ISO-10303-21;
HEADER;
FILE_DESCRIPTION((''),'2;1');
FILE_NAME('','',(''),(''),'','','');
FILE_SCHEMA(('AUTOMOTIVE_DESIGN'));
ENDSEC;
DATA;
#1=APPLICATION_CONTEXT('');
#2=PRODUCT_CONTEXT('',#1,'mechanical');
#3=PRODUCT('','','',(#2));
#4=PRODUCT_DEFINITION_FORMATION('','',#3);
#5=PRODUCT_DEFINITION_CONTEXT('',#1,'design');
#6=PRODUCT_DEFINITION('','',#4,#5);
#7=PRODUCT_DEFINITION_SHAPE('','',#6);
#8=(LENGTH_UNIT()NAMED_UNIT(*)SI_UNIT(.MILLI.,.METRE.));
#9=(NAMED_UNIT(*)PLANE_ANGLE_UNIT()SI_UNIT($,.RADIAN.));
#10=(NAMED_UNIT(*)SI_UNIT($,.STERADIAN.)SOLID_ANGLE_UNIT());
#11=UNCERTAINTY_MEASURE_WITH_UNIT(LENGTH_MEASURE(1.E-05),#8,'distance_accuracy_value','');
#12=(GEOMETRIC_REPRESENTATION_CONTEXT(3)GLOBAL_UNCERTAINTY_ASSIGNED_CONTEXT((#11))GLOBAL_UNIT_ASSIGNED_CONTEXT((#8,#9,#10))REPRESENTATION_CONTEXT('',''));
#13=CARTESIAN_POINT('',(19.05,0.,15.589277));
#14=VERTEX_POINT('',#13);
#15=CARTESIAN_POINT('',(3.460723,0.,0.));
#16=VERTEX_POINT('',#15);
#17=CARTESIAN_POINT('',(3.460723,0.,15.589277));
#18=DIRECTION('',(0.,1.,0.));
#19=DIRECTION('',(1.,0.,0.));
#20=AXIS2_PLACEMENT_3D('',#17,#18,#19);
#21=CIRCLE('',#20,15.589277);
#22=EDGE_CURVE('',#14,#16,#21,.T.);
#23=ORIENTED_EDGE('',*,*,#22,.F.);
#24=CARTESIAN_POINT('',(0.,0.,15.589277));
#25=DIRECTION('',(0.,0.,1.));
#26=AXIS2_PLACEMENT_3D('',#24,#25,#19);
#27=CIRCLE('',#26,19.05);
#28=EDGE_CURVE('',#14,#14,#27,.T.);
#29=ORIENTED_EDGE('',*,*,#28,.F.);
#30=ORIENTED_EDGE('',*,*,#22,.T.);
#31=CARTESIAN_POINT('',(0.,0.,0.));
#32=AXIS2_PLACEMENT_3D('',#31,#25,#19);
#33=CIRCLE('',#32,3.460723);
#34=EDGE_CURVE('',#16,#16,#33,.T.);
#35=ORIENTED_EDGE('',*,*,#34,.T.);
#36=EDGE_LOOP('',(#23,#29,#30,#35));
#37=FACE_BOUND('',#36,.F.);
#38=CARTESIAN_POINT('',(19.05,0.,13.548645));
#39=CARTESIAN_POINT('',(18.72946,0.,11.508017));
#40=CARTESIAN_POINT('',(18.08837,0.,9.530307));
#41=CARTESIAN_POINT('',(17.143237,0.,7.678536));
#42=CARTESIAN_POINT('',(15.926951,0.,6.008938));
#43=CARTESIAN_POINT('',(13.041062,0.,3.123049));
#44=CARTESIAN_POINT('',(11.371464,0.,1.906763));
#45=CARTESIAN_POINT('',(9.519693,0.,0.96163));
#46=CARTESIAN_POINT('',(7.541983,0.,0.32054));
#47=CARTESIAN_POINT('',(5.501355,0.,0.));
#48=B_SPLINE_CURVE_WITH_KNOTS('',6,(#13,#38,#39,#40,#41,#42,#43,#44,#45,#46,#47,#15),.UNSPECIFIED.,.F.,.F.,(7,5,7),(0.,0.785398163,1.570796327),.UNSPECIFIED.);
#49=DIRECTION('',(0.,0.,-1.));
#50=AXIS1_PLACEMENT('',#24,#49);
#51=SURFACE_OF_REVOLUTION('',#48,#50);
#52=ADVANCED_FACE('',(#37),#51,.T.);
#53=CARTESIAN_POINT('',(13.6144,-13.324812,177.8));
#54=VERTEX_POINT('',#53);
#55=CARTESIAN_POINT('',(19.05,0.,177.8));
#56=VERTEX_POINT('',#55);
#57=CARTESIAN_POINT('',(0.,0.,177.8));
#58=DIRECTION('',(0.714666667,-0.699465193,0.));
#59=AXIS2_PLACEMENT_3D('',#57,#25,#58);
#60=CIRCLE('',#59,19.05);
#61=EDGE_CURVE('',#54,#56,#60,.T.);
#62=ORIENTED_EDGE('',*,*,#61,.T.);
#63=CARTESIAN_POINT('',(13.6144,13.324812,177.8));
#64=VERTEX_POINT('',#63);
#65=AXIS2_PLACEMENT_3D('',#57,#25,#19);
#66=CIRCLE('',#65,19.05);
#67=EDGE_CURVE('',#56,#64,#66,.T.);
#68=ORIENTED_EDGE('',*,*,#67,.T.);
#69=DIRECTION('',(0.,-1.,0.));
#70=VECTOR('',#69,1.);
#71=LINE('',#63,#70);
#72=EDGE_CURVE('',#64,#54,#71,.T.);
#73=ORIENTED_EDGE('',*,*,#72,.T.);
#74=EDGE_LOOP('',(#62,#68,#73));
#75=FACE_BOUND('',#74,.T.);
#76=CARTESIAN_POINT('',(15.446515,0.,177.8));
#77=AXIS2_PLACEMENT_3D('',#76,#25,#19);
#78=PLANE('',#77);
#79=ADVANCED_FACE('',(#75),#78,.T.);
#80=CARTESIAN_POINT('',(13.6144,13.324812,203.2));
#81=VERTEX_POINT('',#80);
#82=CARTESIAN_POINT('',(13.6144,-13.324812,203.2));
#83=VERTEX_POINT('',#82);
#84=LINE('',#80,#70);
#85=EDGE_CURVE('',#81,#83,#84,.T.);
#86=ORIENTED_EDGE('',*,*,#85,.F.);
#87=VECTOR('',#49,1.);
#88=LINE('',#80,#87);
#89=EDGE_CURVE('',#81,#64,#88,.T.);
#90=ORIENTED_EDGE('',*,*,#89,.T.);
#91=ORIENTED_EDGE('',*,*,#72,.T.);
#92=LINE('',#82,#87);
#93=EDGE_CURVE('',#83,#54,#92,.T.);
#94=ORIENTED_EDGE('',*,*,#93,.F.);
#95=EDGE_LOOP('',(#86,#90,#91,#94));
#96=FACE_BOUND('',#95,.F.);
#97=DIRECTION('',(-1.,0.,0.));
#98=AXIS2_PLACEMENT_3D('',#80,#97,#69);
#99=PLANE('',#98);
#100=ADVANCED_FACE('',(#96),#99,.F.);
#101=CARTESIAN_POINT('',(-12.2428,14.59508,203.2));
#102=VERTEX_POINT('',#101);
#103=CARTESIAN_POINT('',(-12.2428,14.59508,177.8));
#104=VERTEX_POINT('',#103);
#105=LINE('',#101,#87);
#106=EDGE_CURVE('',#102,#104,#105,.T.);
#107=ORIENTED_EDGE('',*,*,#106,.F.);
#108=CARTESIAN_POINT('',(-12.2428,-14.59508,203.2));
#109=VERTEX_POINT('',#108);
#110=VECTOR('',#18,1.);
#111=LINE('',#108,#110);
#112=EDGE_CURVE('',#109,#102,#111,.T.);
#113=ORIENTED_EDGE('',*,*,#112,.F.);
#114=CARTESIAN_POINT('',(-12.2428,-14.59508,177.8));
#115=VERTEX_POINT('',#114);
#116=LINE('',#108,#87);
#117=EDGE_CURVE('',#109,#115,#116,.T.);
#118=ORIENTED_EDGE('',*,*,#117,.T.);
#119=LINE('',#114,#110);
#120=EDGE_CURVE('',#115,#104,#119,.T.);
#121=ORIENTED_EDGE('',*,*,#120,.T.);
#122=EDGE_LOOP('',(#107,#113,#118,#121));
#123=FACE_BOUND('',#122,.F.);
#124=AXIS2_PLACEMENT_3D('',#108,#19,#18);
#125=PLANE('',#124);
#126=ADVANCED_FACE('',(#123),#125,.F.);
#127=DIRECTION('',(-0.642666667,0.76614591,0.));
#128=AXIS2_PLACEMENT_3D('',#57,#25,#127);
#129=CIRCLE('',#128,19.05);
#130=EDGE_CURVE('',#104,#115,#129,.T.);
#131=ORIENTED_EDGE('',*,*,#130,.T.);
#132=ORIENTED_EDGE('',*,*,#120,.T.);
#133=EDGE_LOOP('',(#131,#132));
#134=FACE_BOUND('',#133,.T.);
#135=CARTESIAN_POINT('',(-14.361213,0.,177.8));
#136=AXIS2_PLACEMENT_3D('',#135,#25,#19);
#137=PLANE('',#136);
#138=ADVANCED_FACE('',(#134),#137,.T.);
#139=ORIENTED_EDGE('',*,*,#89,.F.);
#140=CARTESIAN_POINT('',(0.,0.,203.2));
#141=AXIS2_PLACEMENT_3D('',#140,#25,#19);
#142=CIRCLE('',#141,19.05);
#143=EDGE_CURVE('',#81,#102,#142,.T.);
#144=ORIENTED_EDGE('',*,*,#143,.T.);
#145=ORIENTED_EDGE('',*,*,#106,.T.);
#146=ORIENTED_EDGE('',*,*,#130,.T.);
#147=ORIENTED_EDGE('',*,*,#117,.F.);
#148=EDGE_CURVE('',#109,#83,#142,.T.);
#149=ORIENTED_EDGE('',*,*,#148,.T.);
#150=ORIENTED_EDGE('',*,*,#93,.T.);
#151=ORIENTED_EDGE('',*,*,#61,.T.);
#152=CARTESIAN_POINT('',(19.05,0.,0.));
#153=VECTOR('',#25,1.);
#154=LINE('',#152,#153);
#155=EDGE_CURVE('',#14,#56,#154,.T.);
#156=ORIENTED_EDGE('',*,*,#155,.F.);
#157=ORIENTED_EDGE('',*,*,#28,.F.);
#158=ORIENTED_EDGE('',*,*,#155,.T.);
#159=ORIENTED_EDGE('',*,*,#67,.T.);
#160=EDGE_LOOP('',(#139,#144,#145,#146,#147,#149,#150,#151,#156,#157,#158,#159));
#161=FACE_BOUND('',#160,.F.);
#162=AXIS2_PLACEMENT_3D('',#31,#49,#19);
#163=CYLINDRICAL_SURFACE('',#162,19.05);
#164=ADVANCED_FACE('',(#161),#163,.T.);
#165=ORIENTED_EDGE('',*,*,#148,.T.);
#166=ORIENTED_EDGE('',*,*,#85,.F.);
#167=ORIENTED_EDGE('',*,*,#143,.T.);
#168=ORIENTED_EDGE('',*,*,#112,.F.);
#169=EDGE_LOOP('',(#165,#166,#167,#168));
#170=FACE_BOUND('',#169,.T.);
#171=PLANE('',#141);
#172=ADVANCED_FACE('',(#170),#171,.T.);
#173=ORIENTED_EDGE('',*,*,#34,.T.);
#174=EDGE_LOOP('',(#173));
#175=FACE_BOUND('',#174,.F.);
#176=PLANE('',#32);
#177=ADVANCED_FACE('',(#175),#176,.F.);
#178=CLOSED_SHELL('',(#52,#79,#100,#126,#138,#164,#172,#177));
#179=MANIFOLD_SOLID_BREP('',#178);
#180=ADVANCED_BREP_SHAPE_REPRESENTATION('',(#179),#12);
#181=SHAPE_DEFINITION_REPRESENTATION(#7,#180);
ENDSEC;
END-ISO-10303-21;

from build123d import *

# Parameters (mm, degrees)
F0_R     = 19.05
F1_DEPTH = 203.2
F3_DEPTH = 25.4
F4_DEPTH = 25.4
F5_R     = 15.5892770942


with BuildPart() as f1:
    # F0 (on Top) → F1 (new body)
    with BuildSketch(Plane.XY):
        Circle(F0_R)
    extrude(amount=F1_DEPTH)

    # F2 (on face) → F3 (cut)
    with BuildSketch(Plane.XY.offset(203.2)):
        with BuildLine():
            Line((-12.2428, -14.5950795873), (-12.2428, 14.5950795873))
            ThreePointArc((-12.2428, 14.5950795873), (-19.05, 0), (-12.2428, -14.5950795873))
        make_face()
    extrude(amount=-F3_DEPTH, mode=Mode.SUBTRACT)

    # F2 (on face) → F4 (cut)
    with BuildSketch(Plane.XY.offset(203.2)):
        with BuildLine():
            ThreePointArc((13.6144, -13.3248119176), (17.6388324444, -7.1954214609), (19.05, 0))
            ThreePointArc((19.05, 0), (17.6388324444, 7.1954214609), (13.6144, 13.3248119176))
            Line((13.6144, 13.3248119176), (13.6144, -13.3248119176))
        make_face()
    extrude(amount=-F4_DEPTH, mode=Mode.SUBTRACT)

    # F5
    f5_edges = [f1.edges().sort_by_distance(p)[0] for p in [
        (-19.05, 0, 0),
    ]]
    fillet(f5_edges, radius=F5_R)


solid = f1.part
